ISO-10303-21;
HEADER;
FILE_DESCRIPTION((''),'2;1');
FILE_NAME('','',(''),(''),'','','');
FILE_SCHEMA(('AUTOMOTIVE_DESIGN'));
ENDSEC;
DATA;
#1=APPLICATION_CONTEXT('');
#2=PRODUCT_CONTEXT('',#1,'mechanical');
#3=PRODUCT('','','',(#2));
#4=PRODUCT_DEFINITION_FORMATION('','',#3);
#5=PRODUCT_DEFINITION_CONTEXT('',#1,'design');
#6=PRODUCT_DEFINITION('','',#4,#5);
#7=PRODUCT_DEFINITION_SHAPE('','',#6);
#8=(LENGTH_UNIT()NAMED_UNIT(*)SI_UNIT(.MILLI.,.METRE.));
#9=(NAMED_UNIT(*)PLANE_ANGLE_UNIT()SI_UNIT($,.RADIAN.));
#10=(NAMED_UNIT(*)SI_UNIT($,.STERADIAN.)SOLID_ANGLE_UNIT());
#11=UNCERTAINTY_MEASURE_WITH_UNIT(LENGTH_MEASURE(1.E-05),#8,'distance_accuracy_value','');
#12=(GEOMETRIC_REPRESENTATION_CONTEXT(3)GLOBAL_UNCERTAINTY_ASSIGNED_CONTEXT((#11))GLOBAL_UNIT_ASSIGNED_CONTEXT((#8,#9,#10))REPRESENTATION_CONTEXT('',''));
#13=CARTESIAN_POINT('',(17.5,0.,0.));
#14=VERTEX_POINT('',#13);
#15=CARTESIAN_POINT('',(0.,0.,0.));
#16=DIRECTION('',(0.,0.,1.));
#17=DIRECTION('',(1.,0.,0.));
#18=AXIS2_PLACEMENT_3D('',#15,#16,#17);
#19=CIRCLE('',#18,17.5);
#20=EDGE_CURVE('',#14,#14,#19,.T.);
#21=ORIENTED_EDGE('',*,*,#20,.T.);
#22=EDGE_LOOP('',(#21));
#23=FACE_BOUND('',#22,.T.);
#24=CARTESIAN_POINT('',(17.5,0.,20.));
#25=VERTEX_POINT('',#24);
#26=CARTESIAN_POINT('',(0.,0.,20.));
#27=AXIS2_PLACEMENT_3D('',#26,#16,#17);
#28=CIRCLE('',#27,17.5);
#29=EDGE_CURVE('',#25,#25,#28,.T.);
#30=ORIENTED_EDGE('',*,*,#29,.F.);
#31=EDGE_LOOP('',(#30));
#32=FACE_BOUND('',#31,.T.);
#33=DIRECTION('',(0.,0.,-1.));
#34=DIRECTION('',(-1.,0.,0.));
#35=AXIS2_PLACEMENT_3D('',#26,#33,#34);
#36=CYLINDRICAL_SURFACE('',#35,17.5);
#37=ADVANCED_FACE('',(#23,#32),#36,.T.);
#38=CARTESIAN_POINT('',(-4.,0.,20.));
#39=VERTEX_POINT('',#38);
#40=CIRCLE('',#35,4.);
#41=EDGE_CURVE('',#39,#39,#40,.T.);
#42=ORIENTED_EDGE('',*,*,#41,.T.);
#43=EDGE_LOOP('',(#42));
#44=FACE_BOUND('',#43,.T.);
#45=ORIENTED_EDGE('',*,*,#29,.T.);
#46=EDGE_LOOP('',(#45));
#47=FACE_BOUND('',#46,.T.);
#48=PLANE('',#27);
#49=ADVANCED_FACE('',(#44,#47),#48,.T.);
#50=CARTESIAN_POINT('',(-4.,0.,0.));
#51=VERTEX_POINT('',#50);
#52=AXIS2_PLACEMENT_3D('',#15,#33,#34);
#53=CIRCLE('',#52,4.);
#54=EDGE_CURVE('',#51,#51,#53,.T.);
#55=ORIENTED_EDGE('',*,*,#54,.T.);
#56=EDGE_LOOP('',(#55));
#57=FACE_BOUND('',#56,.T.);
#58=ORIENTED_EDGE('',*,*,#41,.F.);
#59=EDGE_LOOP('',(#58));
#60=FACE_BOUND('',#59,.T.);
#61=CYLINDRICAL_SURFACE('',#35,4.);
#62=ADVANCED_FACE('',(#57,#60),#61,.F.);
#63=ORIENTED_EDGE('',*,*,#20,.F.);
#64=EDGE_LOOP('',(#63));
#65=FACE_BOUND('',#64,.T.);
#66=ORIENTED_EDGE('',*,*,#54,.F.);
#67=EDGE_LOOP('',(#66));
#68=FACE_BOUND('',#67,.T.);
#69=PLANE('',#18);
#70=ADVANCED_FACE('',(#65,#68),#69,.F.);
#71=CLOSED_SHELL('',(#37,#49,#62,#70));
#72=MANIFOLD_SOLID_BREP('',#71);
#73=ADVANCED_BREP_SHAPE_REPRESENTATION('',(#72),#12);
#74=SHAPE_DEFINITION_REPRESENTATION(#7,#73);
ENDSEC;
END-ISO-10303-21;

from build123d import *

# Parameters (mm, degrees)
SKETCH2_R           = 17.5
BOSS_EXTRUDE1_DEPTH = 20
SKETCH3_R           = 4
CUT_EXTRUDE1_DEPTH  = 21


with BuildPart() as part:
    # Sketch2 → Boss-Extrude1 (new body)
    with BuildSketch(Plane.XY):
        Circle(SKETCH2_R)
    extrude(amount=BOSS_EXTRUDE1_DEPTH)

    # Sketch3 → Cut-Extrude1 (cut, through all)
    with BuildSketch(Plane(origin=(0, 0, 0), x_dir=(-1, 0, 0), z_dir=(0, 0, -1))):
        Circle(SKETCH3_R)
    extrude(amount=-CUT_EXTRUDE1_DEPTH, mode=Mode.SUBTRACT)


solid = part.part
